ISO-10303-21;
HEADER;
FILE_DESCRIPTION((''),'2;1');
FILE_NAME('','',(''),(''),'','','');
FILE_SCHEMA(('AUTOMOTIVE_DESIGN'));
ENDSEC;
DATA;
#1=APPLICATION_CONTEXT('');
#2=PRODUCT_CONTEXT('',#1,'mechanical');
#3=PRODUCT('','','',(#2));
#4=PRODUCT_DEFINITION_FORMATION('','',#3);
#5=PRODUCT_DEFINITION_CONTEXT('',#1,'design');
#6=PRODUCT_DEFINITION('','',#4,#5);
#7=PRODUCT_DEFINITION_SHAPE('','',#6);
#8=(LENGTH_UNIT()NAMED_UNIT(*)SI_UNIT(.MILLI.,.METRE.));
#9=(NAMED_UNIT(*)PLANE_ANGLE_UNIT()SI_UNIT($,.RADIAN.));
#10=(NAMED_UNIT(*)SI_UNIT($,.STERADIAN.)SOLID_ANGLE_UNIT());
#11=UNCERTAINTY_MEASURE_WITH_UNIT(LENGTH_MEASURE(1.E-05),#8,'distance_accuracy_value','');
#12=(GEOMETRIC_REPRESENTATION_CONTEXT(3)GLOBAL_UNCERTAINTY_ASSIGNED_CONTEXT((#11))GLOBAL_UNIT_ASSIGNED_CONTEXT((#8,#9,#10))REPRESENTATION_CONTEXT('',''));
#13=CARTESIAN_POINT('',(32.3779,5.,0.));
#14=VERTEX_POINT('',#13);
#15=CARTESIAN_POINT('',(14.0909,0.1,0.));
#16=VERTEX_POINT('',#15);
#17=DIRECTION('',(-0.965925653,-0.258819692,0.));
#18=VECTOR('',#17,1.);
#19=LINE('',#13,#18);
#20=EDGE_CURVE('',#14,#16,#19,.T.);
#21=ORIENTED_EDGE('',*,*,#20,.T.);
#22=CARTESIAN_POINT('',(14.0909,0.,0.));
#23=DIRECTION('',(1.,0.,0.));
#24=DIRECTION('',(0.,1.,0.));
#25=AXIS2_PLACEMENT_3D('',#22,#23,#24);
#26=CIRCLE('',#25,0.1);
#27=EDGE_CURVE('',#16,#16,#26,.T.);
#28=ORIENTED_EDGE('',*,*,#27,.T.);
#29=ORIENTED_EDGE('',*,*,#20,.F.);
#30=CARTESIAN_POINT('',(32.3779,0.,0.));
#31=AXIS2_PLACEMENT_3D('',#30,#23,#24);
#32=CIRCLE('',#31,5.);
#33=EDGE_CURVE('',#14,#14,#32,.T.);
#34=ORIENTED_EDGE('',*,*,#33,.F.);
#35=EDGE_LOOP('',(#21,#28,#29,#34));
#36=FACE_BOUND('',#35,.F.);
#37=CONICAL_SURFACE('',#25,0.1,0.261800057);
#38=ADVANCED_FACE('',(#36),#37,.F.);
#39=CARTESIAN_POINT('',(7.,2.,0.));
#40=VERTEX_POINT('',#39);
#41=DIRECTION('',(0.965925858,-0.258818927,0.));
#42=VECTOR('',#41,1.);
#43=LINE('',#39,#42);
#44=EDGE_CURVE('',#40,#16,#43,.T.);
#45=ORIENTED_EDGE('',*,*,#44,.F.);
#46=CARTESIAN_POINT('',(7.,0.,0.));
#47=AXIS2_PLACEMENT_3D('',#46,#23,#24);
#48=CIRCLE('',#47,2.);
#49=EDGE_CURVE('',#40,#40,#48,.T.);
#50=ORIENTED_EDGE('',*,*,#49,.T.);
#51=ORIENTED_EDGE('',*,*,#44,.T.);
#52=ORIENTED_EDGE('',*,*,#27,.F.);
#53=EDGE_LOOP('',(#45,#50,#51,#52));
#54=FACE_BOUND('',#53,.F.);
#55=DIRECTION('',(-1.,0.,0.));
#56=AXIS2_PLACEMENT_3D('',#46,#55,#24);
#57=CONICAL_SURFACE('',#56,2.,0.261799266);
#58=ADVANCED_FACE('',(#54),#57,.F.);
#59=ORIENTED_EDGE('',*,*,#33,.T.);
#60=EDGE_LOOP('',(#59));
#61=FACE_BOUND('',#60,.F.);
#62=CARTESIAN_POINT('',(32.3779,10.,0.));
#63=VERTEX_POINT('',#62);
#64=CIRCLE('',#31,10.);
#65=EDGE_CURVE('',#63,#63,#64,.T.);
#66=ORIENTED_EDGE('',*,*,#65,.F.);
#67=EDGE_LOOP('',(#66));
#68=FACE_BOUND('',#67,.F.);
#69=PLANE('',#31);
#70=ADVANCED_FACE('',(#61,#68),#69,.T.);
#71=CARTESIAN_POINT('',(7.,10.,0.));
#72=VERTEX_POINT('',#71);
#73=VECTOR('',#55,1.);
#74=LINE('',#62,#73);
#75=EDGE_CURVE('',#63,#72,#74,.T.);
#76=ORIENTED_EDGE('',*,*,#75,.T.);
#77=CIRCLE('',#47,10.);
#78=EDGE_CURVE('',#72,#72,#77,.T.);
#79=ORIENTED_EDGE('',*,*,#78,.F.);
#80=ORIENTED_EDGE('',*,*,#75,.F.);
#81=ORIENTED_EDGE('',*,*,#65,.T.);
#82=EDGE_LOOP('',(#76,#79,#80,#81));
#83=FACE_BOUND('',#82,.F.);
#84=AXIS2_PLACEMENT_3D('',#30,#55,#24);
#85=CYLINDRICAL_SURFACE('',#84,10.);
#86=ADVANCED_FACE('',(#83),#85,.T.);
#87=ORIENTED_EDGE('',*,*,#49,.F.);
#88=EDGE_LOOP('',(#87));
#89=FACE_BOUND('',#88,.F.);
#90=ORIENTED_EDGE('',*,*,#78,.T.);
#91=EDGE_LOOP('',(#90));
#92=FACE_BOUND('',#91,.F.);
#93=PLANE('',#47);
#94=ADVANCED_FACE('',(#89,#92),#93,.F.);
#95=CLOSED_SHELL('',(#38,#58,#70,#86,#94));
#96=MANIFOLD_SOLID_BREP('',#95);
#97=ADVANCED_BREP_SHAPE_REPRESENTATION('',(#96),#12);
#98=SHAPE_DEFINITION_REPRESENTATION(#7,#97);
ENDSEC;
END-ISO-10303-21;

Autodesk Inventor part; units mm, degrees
ref_plane "YZ Plane" through (0, 0, 0) normal (1, 0, 0) x (0, 1, 0)
ref_plane "XZ Plane" through (0, 0, 0) normal (0, 1, 0) x (-1, 0, 0)
ref_plane "XY Plane" through (0, 0, 0) normal (0, 0, 1) x (1, 0, 0)
sketch "Sketch1" plane through (0, 0, 0) normal (0, 0, 1) x (1, 0, 0)
  line L0 (0, 0) -> (0, 2)
  line L1 (0, 2) -> (50, 2)
  line L2 (0, 0) -> (0, 0.1)
  line L3 (0, 0.1) -> (50, 0.1)
  line L4 (0, 0) -> (0, 5)
  line L5 (0, 5) -> (50, 5)
  line L6 (0, 0) -> (0, 4)
  line L7 (0, 4) -> (4, 4)
  line L8 (4, 4) -> (4, 2)
  line L9 (4, 2) -> (4, 10)
  line L10 (4, 2) -> (6.7109, 2) construction
  line L11 (4, 10) -> (7, 10)
  line L12 (7, 10) -> (7, 2)
  line L13 (7, 2) -> (14.0909, 0.1)
  line L14 (7, 2) -> (9.25, 2) construction
  line L15 (14.0909, 0.1) -> (32.3779, 5)
  line L16 (14.0909, 0.1) -> (33.023, 0.1) construction
  line L17 (32.3779, 5) -> (32.3779, 7)
  line L18 (32.3779, 7) -> (7, 10)
  line L19 (0, 0) -> (50, 0)
  line L20 (-10, 0) -> (60, 0) projected
  line L21 (32.3779, 7) -> (32.3779, 10)
  line L22 (32.3779, 10) -> (7, 10)
  point P0 (0, 2)
  point P1 (7, 5)
  point P2 (4, 5)
  point P3 (17.0086, 2)
  point P4 (21.1818, 2)
  dimension "d0" = 2
  dimension "d1" = 50
  dimension "d2" = 0.1
  dimension "d3" = 5
  dimension "d4" = 4
  dimension "d5" = 4
  dimension "d6" = 8
  dimension "d8" = 3
  dimension "d9" = 15
  dimension "d10" = 15
  dimension "d13" = 50
revolve "Revolution2" add sketch "Sketch1" angle 360 about axis through (-10, 0, 0) along (1, 0, 0) contours L13 L1 L15 | L12 L5 L15 L1 | L12 L18 L17 L5 | L22 L21 L18
